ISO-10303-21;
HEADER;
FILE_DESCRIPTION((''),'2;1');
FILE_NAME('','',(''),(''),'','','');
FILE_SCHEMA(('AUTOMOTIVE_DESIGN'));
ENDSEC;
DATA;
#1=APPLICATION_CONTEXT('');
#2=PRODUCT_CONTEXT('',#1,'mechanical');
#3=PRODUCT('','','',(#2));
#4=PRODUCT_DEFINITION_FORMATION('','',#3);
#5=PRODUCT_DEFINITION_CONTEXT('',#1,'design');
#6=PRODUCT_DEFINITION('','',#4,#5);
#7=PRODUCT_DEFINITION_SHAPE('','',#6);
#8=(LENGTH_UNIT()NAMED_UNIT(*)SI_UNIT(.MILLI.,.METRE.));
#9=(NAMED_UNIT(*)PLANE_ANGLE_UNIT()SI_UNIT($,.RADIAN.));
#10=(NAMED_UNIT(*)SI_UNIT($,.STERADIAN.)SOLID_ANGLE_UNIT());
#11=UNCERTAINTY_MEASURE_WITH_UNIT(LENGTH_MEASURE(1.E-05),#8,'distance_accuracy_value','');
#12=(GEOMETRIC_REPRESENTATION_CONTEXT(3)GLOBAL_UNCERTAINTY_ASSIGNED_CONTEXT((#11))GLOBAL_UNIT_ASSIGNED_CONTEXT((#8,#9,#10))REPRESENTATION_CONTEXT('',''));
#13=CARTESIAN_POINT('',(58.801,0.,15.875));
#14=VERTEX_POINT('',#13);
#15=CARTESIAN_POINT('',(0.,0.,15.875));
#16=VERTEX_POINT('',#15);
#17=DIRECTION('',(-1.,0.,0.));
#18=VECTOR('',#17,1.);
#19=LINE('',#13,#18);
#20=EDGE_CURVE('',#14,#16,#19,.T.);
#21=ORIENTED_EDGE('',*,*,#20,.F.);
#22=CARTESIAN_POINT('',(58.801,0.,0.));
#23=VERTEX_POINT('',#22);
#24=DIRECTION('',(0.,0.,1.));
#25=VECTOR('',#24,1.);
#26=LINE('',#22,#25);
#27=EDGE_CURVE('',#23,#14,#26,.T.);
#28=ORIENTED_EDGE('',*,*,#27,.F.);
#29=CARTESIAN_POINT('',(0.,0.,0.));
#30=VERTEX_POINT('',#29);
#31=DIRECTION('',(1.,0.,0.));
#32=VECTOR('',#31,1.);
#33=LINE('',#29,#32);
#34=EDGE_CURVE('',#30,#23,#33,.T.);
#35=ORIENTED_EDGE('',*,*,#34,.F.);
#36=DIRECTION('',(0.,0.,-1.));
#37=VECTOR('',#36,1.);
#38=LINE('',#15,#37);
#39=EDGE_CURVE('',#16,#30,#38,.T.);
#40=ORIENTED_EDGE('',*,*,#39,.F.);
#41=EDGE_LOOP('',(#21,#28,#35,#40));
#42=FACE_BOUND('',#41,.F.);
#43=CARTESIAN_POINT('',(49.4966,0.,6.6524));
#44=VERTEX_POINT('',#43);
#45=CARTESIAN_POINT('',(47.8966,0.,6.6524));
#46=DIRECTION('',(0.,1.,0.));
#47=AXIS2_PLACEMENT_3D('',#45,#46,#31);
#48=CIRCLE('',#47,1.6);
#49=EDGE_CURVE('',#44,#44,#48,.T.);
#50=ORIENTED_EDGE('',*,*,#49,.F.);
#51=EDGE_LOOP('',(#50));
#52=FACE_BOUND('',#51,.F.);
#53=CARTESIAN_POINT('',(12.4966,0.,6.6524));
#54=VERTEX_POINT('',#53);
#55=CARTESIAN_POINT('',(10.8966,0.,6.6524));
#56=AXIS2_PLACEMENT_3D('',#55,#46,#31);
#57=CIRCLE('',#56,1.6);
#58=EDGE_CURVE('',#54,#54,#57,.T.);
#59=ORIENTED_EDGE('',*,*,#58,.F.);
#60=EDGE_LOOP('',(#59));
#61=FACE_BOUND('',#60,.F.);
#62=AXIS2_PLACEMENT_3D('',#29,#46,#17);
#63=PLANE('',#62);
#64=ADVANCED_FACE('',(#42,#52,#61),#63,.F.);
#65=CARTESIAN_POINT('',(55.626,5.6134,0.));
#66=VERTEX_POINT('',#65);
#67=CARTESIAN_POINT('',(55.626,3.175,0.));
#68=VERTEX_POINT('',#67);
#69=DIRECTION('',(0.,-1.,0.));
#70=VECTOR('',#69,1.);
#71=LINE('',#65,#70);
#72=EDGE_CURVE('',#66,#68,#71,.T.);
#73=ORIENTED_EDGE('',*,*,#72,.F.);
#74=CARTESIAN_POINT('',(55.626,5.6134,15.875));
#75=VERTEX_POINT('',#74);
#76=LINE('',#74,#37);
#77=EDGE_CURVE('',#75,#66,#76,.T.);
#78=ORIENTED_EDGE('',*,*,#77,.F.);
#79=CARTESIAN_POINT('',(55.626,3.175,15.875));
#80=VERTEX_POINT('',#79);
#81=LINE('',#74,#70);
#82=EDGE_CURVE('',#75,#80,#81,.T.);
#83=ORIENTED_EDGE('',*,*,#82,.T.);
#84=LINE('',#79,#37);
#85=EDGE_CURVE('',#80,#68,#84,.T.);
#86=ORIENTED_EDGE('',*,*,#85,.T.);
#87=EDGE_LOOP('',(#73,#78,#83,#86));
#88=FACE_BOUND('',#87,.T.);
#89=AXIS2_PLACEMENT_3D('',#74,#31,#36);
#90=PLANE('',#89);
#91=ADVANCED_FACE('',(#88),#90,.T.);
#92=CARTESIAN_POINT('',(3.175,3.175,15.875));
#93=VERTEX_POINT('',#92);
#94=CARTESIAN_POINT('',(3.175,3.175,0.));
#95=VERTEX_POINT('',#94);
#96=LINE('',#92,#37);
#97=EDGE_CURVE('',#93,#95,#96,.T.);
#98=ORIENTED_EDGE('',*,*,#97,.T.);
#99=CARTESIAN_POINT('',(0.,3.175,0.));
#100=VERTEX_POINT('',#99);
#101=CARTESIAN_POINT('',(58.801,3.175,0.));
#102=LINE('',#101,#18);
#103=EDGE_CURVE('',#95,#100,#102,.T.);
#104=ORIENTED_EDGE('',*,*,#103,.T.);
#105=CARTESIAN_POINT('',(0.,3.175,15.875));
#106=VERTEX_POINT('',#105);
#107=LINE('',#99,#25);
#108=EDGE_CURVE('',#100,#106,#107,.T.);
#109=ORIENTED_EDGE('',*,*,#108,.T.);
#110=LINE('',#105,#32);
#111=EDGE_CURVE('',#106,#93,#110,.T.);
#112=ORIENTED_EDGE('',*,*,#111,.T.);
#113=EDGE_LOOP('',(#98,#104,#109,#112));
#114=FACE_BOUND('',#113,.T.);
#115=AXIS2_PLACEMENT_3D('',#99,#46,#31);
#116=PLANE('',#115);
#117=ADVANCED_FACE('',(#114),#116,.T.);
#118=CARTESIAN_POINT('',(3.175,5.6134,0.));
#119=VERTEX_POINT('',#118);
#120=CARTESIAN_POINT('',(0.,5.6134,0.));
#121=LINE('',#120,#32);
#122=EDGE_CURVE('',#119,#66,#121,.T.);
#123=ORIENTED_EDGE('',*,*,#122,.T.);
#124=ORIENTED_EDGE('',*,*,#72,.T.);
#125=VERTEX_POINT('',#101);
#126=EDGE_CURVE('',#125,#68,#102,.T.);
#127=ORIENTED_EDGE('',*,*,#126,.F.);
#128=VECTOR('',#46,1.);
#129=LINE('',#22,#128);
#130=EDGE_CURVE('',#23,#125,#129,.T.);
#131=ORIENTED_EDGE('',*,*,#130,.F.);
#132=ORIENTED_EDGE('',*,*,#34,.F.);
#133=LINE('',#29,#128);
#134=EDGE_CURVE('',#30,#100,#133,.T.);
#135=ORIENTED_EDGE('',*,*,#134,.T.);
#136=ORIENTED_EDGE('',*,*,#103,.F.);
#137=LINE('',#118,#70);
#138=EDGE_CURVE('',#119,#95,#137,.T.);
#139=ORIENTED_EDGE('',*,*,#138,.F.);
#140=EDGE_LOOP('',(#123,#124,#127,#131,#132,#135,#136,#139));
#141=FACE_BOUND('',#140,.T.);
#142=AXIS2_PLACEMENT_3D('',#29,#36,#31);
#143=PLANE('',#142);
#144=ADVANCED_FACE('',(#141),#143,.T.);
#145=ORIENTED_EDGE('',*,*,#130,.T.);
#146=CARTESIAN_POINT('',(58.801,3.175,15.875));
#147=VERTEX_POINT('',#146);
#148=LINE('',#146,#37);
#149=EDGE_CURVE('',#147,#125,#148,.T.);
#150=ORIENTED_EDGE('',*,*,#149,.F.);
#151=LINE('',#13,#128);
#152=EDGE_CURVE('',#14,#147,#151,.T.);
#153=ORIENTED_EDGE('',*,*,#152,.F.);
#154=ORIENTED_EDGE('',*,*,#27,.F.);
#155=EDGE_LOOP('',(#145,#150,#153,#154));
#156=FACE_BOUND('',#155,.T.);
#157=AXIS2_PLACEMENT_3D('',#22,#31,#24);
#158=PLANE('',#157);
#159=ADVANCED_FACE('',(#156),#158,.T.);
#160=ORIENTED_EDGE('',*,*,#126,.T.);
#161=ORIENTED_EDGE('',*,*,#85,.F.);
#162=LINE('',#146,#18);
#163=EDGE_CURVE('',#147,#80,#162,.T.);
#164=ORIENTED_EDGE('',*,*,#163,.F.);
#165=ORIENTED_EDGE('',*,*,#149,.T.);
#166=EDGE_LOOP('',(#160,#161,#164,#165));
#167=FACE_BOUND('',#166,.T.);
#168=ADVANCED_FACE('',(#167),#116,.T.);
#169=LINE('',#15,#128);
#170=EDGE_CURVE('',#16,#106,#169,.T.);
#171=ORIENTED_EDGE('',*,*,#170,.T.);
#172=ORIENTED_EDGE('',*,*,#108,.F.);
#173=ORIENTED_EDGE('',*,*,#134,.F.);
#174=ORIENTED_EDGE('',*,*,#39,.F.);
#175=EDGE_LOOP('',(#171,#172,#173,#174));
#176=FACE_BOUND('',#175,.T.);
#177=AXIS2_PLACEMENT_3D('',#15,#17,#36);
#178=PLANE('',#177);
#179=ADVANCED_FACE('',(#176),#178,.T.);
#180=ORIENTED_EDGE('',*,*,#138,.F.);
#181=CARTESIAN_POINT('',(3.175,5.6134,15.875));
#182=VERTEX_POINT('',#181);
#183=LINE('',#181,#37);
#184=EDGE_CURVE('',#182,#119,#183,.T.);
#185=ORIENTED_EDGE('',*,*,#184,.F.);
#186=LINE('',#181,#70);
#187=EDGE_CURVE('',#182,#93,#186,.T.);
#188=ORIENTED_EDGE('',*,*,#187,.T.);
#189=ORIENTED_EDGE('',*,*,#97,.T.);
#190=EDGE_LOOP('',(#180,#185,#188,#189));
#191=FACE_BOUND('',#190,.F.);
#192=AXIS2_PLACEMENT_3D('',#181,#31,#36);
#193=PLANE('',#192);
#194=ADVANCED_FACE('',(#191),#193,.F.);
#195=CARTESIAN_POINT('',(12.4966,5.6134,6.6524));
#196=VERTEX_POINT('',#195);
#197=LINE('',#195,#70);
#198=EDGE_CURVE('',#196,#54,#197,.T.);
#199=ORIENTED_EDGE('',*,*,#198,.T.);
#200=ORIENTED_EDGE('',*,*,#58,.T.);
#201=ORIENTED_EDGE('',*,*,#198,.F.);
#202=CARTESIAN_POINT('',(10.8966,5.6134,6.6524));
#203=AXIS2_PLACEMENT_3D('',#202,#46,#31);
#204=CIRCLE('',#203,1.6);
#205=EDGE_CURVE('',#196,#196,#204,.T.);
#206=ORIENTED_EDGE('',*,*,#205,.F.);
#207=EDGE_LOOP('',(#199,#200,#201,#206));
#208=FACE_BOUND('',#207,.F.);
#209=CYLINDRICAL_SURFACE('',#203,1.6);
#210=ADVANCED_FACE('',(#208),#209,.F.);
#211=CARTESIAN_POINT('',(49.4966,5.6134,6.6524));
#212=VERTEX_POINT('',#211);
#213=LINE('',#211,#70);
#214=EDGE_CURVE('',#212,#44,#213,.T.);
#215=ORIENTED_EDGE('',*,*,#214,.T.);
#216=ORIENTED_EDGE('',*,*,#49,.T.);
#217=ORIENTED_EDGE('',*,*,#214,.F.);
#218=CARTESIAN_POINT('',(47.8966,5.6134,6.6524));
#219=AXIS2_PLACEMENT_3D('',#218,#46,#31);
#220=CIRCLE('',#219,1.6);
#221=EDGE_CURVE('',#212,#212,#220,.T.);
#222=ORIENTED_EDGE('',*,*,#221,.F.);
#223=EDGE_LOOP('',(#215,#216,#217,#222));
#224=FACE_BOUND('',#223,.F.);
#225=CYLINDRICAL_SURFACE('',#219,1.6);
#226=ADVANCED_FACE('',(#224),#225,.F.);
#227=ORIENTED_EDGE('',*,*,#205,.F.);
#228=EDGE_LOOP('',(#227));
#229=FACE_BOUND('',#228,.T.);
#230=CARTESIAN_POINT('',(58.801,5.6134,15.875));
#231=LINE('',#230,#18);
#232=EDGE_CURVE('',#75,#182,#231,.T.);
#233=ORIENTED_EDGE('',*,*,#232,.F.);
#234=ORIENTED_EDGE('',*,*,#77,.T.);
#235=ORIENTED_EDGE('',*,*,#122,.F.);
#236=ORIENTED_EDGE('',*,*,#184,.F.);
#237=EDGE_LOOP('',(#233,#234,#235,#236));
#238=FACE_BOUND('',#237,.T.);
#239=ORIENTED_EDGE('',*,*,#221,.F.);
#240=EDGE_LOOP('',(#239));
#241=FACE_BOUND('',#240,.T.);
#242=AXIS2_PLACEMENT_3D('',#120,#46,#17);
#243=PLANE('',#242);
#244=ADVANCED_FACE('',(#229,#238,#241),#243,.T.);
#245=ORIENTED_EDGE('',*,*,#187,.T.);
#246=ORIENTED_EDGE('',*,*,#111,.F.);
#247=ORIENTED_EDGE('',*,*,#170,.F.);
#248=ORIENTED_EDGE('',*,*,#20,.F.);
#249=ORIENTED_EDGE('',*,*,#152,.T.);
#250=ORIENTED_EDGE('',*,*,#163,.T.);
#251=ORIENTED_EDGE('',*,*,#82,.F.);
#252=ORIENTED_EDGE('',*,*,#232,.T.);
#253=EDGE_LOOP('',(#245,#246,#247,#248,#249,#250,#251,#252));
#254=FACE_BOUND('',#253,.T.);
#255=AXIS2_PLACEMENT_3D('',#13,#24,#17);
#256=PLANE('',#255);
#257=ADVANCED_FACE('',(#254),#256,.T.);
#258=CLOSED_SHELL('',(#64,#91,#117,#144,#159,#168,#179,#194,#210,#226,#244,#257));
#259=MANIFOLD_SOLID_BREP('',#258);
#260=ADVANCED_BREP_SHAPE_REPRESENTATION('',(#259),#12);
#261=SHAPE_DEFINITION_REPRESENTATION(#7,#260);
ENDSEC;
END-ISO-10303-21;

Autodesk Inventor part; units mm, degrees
ref_plane "YZ Plane" through (0, 0, 0) normal (1, 0, 0) x (0, 1, 0)
ref_plane "XZ Plane" through (0, 0, 0) normal (0, 1, 0) x (-1, 0, 0)
ref_plane "XY Plane" through (0, 0, 0) normal (0, 0, 1) x (1, 0, 0)
sketch "Sketch1" plane through (0, 0, 0) normal (0, 1, 0) x (-1, 0, 0)
  line L0 (0, 0) -> (-58.801, 0)
  line L1 (-58.801, 0) -> (-58.801, 15.875)
  line L2 (-58.801, 15.875) -> (0, 15.875)
  line L3 (0, 15.875) -> (0, 0)
  dimension "d0" = 58.801
  dimension "d1" = 15.875
extrude "Extrusion1" add sketch "Sketch1" along normal blind 5.6134
sketch "Sketch7" plane through (0, 5.6134, 0) normal (0, 1, 0) x (1, 0, 0)
  circle A0 centre (10.8966, -6.6524) radius 1.6
  circle A1 centre (47.8966, -6.6524) radius 1.6
  line L0 (0, 0) -> (0, -15.875) projected
  line L1 (58.801, 0) -> (0, 0) projected
  line L2 (58.801, -15.875) -> (58.801, 0) projected
  dimension "d22" = 3.2
  dimension "d23" = 3.2
  dimension "d24" = 37
  dimension "d43" = 6.6524
  dimension "d44" = 6.6524
  dimension "d48" = 10.8966
  dimension "d49" = 10.9044
extrude "Extrusion6" cut sketch "Sketch7" against normal blind 25.4
sketch "Sketch8" plane through (0, 5.6134, 0) normal (0, 1, 0) x (1, 0, 0)
  line L0 (58.801, 0) -> (0, 0) projected
  line L1 (0, 0) -> (0, -15.875) projected
  line L2 (58.801, -15.875) -> (58.801, 0) projected
  line L3 (0, -15.875) -> (3.175, -15.875)
  line L4 (3.175, -15.875) -> (3.175, 0)
  line L5 (3.175, 0) -> (0, 0)
  line L6 (0, 0) -> (0, -15.875)
  line L7 (58.801, -15.875) -> (55.626, -15.875)
  line L8 (55.626, -15.875) -> (55.626, 0)
  line L9 (55.626, 0) -> (58.801, 0)
  line L10 (58.801, 0) -> (58.801, -15.875)
  dimension "d34" = 3.175
  dimension "d35" = 3.175
extrude "Extrusion7" cut sketch "Sketch8" against normal blind 2.4384
equation "\"d23\" = d22"
properties part number "Lidar Sensor Case Piece 3"
